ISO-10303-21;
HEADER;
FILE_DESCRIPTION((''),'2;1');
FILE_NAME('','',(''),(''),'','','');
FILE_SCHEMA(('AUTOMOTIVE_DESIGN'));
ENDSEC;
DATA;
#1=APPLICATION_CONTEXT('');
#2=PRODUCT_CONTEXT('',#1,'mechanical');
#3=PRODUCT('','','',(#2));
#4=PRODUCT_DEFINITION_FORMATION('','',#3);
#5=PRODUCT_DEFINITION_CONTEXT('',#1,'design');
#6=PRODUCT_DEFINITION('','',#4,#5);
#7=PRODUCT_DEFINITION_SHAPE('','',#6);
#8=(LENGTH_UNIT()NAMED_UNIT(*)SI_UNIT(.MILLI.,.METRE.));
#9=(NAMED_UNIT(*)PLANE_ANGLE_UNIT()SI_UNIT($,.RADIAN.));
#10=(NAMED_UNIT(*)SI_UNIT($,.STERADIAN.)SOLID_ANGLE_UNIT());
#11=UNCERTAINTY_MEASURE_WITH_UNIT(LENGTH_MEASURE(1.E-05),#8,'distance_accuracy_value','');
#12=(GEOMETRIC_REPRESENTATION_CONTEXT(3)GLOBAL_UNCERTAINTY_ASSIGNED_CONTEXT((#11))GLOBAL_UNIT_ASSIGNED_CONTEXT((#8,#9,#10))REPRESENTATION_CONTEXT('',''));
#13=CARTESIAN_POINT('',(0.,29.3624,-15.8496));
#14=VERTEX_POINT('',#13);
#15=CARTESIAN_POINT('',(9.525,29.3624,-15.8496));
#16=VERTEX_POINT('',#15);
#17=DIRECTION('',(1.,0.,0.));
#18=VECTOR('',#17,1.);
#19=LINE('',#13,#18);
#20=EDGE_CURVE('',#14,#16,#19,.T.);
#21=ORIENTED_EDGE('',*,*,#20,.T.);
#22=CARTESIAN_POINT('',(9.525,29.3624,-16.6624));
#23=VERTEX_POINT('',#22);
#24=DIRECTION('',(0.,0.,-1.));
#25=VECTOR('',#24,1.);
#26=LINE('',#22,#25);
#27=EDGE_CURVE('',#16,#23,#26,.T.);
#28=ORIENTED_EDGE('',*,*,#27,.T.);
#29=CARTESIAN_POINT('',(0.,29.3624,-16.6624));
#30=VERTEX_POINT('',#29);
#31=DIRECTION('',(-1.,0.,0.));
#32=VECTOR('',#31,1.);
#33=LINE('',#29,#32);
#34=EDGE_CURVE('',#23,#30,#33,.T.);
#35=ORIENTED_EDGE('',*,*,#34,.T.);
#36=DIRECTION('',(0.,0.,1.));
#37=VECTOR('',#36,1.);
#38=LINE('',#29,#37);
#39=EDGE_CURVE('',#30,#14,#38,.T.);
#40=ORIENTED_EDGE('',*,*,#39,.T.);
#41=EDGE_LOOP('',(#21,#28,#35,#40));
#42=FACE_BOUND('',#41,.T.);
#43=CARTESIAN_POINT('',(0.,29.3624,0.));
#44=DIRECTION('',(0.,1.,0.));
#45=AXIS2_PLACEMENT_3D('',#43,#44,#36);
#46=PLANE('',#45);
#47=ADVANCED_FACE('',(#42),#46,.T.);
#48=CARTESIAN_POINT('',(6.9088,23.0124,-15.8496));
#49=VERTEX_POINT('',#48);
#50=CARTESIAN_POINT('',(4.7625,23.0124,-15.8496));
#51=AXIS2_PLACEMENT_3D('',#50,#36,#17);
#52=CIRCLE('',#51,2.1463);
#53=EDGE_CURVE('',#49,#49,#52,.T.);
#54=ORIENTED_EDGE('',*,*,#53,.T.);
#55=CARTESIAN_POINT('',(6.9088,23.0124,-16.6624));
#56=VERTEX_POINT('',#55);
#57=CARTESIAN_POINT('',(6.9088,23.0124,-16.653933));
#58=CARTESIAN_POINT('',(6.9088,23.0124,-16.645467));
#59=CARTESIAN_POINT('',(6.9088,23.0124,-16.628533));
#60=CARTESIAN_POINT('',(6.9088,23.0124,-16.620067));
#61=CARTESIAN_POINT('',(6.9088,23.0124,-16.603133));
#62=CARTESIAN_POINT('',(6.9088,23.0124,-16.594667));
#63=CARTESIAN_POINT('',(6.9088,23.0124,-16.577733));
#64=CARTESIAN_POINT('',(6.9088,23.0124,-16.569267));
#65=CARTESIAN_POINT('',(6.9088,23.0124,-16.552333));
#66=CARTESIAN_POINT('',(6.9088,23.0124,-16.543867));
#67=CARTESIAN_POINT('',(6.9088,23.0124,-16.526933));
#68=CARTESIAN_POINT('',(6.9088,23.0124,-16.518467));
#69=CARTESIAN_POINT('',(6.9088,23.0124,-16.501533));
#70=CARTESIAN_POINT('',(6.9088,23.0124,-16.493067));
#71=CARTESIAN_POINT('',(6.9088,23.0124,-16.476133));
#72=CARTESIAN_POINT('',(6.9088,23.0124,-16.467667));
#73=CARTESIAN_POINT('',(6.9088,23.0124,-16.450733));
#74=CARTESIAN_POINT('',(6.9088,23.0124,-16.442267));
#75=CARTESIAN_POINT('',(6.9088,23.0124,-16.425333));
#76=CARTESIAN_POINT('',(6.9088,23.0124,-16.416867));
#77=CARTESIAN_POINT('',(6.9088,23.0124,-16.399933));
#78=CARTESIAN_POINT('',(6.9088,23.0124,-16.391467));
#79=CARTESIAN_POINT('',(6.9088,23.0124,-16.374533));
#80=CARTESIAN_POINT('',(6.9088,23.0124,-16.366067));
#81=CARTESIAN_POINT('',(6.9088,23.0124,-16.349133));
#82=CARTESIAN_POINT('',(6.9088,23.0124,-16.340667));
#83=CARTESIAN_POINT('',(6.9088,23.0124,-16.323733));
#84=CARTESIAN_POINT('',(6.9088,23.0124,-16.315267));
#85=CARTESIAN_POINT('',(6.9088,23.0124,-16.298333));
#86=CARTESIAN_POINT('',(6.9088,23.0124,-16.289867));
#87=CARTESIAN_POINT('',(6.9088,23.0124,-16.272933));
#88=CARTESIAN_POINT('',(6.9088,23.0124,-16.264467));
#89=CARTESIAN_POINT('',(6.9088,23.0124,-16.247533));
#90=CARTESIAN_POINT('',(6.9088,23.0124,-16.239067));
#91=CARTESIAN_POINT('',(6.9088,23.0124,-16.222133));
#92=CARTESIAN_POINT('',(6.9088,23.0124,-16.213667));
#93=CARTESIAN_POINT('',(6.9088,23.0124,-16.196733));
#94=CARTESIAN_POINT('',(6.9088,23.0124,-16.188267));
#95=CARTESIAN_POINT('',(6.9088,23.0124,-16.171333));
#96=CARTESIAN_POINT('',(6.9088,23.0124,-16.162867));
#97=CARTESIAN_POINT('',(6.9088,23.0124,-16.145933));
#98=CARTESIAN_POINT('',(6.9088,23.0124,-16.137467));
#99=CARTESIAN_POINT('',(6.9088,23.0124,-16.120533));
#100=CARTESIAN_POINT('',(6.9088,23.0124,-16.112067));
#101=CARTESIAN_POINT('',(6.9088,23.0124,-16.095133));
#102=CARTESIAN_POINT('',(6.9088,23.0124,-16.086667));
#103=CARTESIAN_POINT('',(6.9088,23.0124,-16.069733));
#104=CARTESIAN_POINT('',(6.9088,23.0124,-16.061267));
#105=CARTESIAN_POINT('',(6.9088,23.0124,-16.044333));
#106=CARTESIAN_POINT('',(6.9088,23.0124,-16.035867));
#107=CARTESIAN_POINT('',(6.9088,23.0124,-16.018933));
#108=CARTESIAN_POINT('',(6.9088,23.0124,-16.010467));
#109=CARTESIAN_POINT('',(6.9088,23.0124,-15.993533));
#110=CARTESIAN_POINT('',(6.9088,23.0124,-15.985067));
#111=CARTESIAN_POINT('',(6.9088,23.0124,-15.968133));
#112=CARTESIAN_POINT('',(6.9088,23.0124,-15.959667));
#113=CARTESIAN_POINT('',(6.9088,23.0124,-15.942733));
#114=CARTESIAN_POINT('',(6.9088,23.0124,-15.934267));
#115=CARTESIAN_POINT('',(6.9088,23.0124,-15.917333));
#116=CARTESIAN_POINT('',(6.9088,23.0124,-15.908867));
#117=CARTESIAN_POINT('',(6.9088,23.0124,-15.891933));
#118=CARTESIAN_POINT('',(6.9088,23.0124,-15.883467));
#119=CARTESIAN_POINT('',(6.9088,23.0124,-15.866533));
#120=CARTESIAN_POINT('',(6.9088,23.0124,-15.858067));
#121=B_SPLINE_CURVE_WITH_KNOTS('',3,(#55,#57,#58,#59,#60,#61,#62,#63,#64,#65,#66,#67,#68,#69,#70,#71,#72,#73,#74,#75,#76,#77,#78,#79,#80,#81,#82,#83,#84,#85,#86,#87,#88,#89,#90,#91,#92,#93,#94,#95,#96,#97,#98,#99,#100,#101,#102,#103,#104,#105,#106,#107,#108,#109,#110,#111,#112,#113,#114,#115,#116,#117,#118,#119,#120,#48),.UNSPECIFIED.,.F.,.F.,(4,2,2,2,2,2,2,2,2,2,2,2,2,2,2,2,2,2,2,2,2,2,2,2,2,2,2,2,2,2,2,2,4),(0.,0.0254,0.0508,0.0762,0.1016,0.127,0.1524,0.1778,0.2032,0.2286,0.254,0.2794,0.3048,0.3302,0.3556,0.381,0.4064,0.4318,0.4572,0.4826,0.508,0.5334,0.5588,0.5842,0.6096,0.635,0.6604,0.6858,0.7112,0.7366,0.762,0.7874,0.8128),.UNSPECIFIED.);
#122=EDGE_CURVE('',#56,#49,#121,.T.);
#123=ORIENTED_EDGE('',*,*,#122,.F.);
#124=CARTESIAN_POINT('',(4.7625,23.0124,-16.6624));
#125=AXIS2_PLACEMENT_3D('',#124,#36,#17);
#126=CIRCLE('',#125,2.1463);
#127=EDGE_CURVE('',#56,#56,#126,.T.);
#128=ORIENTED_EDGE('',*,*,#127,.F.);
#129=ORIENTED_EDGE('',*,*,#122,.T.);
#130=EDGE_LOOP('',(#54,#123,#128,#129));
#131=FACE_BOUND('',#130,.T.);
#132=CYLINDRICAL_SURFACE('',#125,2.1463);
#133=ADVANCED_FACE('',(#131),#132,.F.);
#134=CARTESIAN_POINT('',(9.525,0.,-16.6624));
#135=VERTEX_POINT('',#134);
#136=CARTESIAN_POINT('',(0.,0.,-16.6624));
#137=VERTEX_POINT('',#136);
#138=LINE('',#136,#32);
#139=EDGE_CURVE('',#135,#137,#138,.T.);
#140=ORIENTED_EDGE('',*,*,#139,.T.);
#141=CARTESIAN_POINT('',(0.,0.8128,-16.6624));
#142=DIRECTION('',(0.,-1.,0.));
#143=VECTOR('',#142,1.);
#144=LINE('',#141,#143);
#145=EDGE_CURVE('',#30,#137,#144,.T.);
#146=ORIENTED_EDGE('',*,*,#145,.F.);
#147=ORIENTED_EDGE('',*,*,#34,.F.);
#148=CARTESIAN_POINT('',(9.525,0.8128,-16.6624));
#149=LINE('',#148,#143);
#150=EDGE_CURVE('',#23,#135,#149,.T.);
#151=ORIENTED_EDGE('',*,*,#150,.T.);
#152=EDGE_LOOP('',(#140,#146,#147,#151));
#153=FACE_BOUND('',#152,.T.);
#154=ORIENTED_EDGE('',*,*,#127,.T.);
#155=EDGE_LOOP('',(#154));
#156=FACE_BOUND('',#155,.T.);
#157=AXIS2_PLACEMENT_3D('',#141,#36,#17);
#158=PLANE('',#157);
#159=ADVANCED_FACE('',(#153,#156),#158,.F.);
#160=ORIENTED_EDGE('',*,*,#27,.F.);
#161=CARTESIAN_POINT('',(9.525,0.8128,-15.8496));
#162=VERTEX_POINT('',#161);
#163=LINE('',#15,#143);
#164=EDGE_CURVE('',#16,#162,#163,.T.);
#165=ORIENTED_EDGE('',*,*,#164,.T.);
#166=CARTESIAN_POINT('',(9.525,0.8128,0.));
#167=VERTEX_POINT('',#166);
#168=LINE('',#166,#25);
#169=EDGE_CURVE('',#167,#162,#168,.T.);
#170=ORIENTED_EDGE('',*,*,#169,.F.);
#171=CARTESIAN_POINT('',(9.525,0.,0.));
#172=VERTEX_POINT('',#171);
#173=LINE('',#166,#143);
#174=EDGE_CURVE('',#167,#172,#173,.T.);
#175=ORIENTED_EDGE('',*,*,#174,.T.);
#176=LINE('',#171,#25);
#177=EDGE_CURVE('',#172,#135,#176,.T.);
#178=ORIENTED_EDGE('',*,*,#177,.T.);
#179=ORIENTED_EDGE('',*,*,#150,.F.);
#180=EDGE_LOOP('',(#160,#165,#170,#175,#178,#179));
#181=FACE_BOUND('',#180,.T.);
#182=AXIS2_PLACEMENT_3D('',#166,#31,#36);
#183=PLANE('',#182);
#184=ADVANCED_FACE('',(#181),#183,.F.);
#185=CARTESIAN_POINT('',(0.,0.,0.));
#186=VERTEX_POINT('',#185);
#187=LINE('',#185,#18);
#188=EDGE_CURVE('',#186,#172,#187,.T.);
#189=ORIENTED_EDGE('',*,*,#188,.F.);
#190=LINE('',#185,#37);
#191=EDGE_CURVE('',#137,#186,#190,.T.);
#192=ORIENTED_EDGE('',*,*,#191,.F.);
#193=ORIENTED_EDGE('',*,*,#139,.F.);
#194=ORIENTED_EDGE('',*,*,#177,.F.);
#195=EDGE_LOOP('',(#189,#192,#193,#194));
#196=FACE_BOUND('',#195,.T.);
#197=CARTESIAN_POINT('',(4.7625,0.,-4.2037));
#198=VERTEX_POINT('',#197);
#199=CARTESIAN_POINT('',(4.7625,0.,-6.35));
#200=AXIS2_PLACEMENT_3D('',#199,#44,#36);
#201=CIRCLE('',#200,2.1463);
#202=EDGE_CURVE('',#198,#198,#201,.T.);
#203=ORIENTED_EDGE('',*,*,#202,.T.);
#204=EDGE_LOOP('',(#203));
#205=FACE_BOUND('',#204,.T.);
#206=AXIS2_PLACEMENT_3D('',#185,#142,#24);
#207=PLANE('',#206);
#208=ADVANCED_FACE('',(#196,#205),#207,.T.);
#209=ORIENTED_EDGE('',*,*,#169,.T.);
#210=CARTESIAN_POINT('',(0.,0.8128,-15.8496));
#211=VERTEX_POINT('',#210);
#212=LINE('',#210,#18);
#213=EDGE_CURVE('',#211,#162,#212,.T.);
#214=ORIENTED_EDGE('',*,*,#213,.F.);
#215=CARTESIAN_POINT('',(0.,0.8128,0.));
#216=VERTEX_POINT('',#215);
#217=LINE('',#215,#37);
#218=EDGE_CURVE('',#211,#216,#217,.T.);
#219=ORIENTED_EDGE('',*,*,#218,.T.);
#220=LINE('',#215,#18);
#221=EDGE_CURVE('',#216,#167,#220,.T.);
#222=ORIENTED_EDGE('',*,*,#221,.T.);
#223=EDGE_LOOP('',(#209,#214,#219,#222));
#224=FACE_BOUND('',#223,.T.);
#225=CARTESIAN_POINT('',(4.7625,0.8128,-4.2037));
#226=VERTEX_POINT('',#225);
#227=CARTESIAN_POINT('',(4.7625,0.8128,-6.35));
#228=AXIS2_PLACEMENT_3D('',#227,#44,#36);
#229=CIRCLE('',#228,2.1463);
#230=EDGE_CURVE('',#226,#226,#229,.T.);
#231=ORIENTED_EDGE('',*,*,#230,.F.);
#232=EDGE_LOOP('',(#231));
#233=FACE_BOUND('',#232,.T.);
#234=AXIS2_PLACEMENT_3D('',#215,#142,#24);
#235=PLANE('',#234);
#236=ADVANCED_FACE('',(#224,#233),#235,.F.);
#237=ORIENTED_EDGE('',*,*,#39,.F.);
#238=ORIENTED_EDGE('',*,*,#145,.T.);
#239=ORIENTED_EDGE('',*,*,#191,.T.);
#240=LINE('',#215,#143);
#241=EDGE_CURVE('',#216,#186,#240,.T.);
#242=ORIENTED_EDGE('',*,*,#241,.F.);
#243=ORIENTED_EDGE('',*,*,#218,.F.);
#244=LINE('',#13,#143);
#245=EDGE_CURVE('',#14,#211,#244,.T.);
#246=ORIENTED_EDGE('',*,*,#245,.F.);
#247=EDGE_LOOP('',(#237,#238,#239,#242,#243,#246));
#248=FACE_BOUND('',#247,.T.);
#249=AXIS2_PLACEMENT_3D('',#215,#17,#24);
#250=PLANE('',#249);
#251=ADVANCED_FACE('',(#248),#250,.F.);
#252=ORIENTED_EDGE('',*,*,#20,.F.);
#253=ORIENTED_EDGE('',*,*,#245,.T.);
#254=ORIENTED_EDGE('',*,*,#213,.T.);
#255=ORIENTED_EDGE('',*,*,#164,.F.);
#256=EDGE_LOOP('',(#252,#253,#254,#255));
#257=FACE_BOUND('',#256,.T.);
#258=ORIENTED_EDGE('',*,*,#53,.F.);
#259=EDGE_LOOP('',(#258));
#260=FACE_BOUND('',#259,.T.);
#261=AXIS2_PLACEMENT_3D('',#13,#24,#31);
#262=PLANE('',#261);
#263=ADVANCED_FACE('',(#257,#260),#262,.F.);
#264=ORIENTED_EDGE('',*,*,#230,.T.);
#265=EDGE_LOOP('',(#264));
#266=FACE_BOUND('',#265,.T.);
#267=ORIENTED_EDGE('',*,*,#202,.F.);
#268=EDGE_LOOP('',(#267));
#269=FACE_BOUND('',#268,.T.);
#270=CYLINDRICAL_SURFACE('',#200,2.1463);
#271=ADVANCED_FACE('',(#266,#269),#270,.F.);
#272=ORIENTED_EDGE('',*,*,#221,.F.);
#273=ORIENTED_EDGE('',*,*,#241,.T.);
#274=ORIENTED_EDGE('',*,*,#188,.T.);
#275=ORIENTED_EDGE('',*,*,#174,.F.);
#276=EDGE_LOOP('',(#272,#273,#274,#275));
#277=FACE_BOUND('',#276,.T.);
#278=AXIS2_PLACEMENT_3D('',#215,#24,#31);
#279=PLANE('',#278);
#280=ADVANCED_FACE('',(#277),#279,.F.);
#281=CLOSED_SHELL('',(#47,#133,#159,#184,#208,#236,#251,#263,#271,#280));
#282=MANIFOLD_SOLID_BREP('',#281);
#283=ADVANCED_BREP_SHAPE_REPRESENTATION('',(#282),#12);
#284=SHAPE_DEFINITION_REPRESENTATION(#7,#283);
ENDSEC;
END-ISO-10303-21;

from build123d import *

# Parameters (mm, degrees)
SKETCH1_W           = 9.525
SKETCH1_H           = 16.6624
BOSS_EXTRUDE1_DEPTH = 0.8128
SKETCH2_W           = 9.525
SKETCH2_H           = 0.8128
BOSS_EXTRUDE2_DEPTH = 28.5496
SKETCH3_R           = 2.1463
CUT_EXTRUDE1_DEPTH  = 35.401175255
SKETCH4_R           = 2.1463
CUT_EXTRUDE2_DEPTH  = 35.699942059


with BuildPart() as part:
    # Sketch1 → Boss-Extrude1 (new body)
    with BuildSketch(Plane(origin=(0, 0, 0), x_dir=(1, 0, 0), z_dir=(0, 1, 0))):
        with Locations((4.7625, 8.3312)):
            Rectangle(SKETCH1_W, SKETCH1_H)
    extrude(amount=BOSS_EXTRUDE1_DEPTH)

    # Sketch2 → Boss-Extrude2 (add)
    with BuildSketch(Plane(origin=(0, 0.8128, 0), x_dir=(1, 0, 0), z_dir=(0, 1, 0))):
        with Locations((4.7625, 16.256)):
            Rectangle(SKETCH2_W, SKETCH2_H)
    extrude(amount=BOSS_EXTRUDE2_DEPTH)

    # Sketch3 → Cut-Extrude1 (cut, through all)
    with BuildSketch(Plane(origin=(0, 0.8128, 0), x_dir=(1, 0, 0), z_dir=(0, 1, 0))):
        with Locations(Location((4.7625, 6.35, 0), (0, 0, 270))):
            Circle(SKETCH3_R)
    extrude(amount=-CUT_EXTRUDE1_DEPTH, mode=Mode.SUBTRACT)

    # Sketch4 → Cut-Extrude2 (cut, through all)
    with BuildSketch(Plane.XY.offset(-15.8496)):
        with Locations((4.7625, 23.0124)):
            Circle(SKETCH4_R)
    extrude(amount=-CUT_EXTRUDE2_DEPTH, mode=Mode.SUBTRACT)


solid = part.part
